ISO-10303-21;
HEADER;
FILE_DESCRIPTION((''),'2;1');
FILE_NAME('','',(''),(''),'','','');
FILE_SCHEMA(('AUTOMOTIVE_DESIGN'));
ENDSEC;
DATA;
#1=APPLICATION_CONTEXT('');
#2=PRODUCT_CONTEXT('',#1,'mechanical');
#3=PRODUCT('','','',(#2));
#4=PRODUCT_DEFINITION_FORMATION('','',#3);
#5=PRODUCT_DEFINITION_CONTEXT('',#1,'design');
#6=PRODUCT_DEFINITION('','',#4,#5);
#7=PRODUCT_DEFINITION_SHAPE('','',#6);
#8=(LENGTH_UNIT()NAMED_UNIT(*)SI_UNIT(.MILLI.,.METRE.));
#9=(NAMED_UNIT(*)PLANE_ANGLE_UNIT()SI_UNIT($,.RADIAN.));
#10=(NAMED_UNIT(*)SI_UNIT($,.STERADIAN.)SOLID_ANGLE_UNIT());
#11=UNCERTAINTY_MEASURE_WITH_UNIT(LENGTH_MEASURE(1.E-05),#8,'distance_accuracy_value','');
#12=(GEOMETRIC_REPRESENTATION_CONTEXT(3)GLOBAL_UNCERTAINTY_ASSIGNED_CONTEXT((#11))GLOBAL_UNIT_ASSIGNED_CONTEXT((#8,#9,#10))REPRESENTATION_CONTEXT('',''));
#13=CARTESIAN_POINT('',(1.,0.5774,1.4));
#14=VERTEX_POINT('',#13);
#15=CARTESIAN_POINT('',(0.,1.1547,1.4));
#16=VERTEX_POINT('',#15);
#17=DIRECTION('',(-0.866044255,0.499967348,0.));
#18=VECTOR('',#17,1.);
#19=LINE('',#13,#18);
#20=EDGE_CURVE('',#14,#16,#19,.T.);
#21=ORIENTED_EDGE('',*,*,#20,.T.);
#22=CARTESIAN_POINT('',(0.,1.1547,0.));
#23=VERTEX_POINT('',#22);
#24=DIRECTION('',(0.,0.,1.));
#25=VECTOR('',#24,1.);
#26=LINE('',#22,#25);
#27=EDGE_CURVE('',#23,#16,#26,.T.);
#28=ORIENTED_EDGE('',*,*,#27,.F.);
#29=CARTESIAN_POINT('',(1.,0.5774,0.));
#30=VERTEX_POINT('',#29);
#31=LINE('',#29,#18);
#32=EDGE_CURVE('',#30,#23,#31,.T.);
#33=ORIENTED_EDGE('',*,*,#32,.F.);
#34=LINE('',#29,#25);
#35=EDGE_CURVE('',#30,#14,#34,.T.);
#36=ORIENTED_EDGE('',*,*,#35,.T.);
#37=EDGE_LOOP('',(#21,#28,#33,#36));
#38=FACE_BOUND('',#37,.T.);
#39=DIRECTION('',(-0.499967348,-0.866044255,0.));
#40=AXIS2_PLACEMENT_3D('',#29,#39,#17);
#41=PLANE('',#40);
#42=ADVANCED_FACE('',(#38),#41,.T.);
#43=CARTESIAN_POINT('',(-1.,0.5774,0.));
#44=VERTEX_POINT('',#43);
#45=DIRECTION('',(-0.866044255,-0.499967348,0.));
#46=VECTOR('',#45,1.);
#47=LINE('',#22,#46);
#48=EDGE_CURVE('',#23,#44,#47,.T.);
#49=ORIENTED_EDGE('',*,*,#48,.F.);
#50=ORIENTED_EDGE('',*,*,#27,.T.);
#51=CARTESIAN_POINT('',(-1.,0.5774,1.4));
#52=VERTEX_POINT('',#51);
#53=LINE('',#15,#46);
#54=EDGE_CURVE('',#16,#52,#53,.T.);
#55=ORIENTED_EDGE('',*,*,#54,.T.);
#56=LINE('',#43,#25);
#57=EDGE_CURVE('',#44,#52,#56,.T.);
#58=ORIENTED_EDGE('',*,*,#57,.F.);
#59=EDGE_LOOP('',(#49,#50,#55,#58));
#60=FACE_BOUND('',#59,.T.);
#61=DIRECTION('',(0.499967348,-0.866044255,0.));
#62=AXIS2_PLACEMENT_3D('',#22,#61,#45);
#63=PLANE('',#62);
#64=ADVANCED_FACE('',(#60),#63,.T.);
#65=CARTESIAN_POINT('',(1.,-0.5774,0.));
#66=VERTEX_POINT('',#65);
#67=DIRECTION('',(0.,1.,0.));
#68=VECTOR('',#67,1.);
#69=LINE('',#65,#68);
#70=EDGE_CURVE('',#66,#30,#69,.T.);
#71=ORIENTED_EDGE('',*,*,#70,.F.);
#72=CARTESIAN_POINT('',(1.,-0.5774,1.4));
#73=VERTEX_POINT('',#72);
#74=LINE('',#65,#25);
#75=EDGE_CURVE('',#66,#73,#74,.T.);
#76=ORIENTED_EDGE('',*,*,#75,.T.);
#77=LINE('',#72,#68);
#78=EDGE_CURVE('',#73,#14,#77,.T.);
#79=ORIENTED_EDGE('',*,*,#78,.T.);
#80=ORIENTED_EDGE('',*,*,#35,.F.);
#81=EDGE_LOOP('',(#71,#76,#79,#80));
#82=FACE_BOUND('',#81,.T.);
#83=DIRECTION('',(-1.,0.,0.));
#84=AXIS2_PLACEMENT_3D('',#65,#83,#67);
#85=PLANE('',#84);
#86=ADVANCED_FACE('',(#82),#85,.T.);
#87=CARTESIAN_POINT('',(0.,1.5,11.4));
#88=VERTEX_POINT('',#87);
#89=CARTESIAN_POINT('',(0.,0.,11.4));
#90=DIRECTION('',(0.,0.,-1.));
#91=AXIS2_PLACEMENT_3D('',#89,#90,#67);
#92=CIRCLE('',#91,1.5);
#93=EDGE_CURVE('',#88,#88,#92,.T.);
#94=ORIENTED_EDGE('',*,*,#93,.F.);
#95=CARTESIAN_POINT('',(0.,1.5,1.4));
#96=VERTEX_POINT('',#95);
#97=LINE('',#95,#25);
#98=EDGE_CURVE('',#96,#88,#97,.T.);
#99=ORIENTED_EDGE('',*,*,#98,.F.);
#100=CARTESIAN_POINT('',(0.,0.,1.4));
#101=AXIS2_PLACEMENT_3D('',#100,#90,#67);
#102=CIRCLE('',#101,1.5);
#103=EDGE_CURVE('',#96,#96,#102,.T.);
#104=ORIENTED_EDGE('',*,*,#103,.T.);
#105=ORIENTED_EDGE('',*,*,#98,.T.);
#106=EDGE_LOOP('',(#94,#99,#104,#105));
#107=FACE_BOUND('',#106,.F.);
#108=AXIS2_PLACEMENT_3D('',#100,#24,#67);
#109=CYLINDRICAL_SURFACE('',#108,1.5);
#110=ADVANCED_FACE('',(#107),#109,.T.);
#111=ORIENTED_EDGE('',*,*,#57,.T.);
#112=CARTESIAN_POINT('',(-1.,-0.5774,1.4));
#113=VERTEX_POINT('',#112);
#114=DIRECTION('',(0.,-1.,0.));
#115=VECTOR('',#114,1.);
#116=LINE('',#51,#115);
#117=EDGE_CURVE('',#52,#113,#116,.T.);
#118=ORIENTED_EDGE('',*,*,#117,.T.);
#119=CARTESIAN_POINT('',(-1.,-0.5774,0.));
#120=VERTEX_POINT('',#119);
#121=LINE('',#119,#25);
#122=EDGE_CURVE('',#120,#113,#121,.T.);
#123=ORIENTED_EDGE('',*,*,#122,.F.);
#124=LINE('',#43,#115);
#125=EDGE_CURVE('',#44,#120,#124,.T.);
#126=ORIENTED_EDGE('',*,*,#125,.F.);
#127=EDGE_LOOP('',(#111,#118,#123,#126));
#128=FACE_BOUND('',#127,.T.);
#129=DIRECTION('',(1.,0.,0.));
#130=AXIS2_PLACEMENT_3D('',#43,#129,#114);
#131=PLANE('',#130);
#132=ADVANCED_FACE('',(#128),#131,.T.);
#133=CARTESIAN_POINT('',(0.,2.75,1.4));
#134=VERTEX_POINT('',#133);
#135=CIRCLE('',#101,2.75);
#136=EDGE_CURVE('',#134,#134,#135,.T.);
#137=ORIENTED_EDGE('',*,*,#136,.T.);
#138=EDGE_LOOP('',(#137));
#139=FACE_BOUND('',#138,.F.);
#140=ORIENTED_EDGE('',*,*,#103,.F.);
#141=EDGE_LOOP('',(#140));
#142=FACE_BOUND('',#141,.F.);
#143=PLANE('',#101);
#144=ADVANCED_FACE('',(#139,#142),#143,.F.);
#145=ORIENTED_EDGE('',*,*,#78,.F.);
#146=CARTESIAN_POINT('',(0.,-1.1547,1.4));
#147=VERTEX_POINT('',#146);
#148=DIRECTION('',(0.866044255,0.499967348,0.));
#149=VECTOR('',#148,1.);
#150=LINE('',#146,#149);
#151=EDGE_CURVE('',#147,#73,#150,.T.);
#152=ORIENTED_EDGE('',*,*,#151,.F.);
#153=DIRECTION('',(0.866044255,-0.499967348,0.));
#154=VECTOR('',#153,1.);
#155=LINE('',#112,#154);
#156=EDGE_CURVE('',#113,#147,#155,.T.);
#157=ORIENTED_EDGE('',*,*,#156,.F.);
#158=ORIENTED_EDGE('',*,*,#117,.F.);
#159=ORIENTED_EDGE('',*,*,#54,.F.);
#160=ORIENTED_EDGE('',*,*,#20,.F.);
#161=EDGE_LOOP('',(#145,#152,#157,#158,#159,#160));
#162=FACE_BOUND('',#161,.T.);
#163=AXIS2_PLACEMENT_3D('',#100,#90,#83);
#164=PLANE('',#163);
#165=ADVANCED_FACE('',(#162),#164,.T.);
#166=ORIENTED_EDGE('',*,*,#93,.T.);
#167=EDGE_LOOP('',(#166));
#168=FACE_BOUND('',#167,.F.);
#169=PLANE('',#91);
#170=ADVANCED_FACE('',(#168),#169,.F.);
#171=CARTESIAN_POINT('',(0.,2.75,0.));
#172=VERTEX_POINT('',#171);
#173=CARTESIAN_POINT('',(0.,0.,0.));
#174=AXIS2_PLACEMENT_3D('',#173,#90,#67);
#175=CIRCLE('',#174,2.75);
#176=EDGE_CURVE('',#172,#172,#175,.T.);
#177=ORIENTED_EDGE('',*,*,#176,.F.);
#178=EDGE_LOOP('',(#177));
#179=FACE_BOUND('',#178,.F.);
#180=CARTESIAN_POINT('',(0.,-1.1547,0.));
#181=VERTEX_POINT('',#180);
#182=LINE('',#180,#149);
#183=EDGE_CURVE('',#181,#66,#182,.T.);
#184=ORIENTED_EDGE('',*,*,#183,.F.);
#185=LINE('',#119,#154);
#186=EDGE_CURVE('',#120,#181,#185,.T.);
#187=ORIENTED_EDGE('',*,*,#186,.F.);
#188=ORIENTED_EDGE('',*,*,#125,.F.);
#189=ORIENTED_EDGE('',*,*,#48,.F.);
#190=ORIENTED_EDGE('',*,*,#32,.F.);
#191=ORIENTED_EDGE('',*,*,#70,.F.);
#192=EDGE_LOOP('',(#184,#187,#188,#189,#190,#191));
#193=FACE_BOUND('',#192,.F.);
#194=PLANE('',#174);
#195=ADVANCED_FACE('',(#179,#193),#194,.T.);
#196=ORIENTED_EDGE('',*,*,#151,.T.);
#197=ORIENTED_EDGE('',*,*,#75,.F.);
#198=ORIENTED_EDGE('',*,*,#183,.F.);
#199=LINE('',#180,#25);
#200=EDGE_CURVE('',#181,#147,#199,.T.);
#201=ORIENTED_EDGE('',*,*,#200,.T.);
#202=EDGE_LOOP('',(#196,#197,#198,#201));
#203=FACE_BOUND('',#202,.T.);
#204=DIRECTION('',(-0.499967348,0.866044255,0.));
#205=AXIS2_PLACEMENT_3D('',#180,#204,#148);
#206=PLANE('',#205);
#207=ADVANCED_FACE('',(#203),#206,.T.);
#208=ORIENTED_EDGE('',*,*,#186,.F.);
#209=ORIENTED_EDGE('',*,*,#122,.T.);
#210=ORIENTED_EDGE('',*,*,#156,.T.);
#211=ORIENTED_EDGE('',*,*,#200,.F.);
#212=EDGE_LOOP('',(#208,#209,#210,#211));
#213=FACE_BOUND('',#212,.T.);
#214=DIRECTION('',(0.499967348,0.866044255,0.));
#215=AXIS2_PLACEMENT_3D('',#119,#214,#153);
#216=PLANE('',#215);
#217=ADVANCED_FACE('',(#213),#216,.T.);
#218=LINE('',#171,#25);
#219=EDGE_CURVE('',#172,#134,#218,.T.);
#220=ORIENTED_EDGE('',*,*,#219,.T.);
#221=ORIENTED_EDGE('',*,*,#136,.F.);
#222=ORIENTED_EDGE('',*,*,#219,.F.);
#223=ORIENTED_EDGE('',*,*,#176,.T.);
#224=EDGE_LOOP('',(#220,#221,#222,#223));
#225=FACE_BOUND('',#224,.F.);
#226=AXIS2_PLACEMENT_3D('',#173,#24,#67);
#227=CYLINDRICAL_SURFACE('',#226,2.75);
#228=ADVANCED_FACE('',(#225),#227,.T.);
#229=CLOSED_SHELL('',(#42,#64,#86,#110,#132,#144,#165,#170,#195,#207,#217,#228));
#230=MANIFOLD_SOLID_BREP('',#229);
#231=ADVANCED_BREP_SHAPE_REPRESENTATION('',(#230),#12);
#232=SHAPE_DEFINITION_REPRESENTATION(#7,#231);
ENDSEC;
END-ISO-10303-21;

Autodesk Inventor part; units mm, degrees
ref_plane "YZ Plane" through (0, 0, 0) normal (1, 0, 0) x (0, 1, 0)
ref_plane "XZ Plane" through (0, 0, 0) normal (0, 1, 0) x (-1, 0, 0)
ref_plane "XY Plane" through (0, 0, 0) normal (0, 0, 1) x (1, 0, 0)
sketch "スケッチ1" plane through (0, 0, 0) normal (1, 0, 0) x (0, 1, 0)
  line L0 (0, 11.4) -> (0, 0)
  line L1 (0, 0) -> (2.75, 0)
  line L2 (2.75, 0) -> (2.75, 1.4)
  line L3 (2.75, 1.4) -> (1.5, 1.4)
  line L4 (1.5, 1.4) -> (1.5, 11.4)
  line L5 (1.5, 11.4) -> (0, 11.4)
  dimension "d1" = 1.5
  dimension "d2" = 1.4
  dimension "d3" = 2.75
  dimension "d10" = 10
revolve "回転1" add sketch "スケッチ1" angle 360 about axis through (0, 0, 11.4) along (0, 0, -1)
thread "ねじ1" size "M3x0.5" class "6g" standard "ANSI Metric M Profile" full length
sketch "スケッチ2" plane through (0, 0, 0) normal (0, 0, -1) x (-1, 0, 0)
  line L0 (0, 1.1547) -> (1, 0.5774)
  line L1 (1, 0.5774) -> (1, -0.5774)
  line L2 (1, -0.5774) -> (0, -1.1547)
  line L3 (0, -1.1547) -> (-1, -0.5774)
  line L4 (-1, -0.5774) -> (-1, 0.5774)
  line L5 (-1, 0.5774) -> (0, 1.1547)
  circle A0 centre (0, 0) radius 2.75 projected
  line L6 (0, 2.75) -> (0, -2.75) construction
  dimension "d7" = 2
extrude "押し出し1" cut sketch "スケッチ2" against normal blind 1.4 contours L0 L1 L2 L3 L4 L5
properties part number "M3-10" material "ステンレス鋼 AISI 304"
